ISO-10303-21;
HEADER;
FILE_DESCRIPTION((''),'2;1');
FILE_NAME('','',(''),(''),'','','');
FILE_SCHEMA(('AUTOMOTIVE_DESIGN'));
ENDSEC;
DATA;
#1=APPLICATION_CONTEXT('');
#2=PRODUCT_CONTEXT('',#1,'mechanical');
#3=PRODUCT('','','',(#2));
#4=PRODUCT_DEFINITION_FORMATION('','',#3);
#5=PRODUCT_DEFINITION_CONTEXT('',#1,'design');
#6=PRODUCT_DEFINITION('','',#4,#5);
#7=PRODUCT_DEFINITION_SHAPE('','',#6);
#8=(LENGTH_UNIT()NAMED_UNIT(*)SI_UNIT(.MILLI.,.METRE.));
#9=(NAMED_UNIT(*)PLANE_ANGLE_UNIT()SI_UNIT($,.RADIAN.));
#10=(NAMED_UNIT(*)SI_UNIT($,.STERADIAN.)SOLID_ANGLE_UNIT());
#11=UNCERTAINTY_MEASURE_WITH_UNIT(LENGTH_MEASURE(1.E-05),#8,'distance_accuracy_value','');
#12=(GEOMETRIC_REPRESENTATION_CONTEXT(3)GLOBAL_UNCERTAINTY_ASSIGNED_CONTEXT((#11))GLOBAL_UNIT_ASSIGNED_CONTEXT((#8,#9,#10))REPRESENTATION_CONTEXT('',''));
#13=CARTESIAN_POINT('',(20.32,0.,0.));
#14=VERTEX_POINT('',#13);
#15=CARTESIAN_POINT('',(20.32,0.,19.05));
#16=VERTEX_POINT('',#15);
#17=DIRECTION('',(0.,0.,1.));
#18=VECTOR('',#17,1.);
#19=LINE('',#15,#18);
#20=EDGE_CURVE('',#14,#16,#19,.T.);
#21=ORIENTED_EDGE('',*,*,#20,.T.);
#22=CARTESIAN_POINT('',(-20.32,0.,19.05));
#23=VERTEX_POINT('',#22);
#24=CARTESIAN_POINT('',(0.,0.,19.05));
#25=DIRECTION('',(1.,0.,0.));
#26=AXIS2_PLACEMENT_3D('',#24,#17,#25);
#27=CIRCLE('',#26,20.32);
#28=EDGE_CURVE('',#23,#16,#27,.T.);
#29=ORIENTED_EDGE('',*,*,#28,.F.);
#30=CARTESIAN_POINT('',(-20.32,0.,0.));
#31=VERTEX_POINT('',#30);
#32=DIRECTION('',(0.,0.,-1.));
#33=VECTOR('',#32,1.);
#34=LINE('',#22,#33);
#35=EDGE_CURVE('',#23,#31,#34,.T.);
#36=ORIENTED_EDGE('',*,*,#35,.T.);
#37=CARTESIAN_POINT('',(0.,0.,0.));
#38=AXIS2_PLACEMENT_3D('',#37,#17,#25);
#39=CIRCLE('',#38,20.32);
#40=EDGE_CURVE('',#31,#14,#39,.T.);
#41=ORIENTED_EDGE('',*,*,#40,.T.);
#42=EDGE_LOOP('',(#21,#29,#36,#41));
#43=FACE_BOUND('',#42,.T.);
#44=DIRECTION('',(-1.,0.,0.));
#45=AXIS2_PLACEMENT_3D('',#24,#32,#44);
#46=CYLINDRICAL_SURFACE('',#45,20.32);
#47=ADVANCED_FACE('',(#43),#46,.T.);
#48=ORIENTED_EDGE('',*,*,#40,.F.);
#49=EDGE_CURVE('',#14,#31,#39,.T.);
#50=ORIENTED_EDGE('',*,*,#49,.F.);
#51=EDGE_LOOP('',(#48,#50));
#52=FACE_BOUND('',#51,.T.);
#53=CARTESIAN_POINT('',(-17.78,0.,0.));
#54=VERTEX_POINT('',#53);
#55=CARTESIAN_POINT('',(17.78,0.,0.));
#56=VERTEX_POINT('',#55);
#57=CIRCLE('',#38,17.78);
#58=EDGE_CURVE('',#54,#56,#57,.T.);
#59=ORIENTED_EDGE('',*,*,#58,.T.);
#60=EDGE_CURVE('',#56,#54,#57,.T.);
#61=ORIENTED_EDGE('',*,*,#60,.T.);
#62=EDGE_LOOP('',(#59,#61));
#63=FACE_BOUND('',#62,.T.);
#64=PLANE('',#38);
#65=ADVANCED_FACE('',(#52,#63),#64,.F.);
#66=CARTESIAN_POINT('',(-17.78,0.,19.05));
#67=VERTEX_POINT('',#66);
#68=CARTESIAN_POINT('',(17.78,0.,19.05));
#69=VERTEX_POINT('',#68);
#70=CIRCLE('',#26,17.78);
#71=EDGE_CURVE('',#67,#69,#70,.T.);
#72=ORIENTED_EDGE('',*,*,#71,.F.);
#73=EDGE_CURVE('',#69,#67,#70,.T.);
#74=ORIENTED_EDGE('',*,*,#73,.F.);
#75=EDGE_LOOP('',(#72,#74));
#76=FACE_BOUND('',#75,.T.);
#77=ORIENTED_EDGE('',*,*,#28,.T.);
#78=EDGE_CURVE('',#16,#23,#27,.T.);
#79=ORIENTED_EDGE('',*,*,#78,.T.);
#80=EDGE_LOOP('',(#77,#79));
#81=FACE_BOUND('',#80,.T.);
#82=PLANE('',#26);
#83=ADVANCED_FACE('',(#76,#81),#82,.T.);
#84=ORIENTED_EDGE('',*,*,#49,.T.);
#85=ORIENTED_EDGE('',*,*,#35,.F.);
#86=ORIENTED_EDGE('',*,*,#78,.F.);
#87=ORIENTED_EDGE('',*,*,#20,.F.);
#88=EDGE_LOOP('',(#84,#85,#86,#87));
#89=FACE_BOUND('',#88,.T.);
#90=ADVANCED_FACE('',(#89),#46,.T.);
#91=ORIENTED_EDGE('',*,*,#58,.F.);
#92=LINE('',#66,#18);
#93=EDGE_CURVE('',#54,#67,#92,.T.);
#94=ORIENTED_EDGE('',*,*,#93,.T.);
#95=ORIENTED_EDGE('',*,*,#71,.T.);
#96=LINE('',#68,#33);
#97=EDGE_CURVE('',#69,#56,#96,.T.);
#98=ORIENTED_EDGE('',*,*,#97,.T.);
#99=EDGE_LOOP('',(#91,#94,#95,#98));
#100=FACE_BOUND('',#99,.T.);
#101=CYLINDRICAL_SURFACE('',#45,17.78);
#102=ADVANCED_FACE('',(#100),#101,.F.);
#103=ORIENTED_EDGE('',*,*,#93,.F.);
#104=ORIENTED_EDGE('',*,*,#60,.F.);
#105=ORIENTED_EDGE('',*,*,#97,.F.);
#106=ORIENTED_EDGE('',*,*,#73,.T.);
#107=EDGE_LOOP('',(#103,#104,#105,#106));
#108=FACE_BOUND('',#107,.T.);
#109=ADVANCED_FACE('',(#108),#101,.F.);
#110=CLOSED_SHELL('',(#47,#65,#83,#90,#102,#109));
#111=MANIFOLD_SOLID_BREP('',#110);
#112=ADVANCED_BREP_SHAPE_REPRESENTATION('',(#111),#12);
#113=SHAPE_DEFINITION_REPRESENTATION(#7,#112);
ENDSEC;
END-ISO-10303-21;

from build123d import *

# Parameters (mm, degrees)
SKETCH1_R      = 20.32
SKETCH1_R_2    = 17.78
EXTRUDE1_DEPTH = 19.05


with BuildPart() as part:
    # Sketch1 → Extrude1 (new body)
    with BuildSketch(Plane.XY):
        with Locations(Location((0, 0, 0), (0, 0, 180))):
            Circle(SKETCH1_R)
        with Locations(Location((0, 0, 0), (0, 0, 180))):
            Circle(SKETCH1_R_2, mode=Mode.SUBTRACT)
    extrude(amount=EXTRUDE1_DEPTH)


solid = part.part
